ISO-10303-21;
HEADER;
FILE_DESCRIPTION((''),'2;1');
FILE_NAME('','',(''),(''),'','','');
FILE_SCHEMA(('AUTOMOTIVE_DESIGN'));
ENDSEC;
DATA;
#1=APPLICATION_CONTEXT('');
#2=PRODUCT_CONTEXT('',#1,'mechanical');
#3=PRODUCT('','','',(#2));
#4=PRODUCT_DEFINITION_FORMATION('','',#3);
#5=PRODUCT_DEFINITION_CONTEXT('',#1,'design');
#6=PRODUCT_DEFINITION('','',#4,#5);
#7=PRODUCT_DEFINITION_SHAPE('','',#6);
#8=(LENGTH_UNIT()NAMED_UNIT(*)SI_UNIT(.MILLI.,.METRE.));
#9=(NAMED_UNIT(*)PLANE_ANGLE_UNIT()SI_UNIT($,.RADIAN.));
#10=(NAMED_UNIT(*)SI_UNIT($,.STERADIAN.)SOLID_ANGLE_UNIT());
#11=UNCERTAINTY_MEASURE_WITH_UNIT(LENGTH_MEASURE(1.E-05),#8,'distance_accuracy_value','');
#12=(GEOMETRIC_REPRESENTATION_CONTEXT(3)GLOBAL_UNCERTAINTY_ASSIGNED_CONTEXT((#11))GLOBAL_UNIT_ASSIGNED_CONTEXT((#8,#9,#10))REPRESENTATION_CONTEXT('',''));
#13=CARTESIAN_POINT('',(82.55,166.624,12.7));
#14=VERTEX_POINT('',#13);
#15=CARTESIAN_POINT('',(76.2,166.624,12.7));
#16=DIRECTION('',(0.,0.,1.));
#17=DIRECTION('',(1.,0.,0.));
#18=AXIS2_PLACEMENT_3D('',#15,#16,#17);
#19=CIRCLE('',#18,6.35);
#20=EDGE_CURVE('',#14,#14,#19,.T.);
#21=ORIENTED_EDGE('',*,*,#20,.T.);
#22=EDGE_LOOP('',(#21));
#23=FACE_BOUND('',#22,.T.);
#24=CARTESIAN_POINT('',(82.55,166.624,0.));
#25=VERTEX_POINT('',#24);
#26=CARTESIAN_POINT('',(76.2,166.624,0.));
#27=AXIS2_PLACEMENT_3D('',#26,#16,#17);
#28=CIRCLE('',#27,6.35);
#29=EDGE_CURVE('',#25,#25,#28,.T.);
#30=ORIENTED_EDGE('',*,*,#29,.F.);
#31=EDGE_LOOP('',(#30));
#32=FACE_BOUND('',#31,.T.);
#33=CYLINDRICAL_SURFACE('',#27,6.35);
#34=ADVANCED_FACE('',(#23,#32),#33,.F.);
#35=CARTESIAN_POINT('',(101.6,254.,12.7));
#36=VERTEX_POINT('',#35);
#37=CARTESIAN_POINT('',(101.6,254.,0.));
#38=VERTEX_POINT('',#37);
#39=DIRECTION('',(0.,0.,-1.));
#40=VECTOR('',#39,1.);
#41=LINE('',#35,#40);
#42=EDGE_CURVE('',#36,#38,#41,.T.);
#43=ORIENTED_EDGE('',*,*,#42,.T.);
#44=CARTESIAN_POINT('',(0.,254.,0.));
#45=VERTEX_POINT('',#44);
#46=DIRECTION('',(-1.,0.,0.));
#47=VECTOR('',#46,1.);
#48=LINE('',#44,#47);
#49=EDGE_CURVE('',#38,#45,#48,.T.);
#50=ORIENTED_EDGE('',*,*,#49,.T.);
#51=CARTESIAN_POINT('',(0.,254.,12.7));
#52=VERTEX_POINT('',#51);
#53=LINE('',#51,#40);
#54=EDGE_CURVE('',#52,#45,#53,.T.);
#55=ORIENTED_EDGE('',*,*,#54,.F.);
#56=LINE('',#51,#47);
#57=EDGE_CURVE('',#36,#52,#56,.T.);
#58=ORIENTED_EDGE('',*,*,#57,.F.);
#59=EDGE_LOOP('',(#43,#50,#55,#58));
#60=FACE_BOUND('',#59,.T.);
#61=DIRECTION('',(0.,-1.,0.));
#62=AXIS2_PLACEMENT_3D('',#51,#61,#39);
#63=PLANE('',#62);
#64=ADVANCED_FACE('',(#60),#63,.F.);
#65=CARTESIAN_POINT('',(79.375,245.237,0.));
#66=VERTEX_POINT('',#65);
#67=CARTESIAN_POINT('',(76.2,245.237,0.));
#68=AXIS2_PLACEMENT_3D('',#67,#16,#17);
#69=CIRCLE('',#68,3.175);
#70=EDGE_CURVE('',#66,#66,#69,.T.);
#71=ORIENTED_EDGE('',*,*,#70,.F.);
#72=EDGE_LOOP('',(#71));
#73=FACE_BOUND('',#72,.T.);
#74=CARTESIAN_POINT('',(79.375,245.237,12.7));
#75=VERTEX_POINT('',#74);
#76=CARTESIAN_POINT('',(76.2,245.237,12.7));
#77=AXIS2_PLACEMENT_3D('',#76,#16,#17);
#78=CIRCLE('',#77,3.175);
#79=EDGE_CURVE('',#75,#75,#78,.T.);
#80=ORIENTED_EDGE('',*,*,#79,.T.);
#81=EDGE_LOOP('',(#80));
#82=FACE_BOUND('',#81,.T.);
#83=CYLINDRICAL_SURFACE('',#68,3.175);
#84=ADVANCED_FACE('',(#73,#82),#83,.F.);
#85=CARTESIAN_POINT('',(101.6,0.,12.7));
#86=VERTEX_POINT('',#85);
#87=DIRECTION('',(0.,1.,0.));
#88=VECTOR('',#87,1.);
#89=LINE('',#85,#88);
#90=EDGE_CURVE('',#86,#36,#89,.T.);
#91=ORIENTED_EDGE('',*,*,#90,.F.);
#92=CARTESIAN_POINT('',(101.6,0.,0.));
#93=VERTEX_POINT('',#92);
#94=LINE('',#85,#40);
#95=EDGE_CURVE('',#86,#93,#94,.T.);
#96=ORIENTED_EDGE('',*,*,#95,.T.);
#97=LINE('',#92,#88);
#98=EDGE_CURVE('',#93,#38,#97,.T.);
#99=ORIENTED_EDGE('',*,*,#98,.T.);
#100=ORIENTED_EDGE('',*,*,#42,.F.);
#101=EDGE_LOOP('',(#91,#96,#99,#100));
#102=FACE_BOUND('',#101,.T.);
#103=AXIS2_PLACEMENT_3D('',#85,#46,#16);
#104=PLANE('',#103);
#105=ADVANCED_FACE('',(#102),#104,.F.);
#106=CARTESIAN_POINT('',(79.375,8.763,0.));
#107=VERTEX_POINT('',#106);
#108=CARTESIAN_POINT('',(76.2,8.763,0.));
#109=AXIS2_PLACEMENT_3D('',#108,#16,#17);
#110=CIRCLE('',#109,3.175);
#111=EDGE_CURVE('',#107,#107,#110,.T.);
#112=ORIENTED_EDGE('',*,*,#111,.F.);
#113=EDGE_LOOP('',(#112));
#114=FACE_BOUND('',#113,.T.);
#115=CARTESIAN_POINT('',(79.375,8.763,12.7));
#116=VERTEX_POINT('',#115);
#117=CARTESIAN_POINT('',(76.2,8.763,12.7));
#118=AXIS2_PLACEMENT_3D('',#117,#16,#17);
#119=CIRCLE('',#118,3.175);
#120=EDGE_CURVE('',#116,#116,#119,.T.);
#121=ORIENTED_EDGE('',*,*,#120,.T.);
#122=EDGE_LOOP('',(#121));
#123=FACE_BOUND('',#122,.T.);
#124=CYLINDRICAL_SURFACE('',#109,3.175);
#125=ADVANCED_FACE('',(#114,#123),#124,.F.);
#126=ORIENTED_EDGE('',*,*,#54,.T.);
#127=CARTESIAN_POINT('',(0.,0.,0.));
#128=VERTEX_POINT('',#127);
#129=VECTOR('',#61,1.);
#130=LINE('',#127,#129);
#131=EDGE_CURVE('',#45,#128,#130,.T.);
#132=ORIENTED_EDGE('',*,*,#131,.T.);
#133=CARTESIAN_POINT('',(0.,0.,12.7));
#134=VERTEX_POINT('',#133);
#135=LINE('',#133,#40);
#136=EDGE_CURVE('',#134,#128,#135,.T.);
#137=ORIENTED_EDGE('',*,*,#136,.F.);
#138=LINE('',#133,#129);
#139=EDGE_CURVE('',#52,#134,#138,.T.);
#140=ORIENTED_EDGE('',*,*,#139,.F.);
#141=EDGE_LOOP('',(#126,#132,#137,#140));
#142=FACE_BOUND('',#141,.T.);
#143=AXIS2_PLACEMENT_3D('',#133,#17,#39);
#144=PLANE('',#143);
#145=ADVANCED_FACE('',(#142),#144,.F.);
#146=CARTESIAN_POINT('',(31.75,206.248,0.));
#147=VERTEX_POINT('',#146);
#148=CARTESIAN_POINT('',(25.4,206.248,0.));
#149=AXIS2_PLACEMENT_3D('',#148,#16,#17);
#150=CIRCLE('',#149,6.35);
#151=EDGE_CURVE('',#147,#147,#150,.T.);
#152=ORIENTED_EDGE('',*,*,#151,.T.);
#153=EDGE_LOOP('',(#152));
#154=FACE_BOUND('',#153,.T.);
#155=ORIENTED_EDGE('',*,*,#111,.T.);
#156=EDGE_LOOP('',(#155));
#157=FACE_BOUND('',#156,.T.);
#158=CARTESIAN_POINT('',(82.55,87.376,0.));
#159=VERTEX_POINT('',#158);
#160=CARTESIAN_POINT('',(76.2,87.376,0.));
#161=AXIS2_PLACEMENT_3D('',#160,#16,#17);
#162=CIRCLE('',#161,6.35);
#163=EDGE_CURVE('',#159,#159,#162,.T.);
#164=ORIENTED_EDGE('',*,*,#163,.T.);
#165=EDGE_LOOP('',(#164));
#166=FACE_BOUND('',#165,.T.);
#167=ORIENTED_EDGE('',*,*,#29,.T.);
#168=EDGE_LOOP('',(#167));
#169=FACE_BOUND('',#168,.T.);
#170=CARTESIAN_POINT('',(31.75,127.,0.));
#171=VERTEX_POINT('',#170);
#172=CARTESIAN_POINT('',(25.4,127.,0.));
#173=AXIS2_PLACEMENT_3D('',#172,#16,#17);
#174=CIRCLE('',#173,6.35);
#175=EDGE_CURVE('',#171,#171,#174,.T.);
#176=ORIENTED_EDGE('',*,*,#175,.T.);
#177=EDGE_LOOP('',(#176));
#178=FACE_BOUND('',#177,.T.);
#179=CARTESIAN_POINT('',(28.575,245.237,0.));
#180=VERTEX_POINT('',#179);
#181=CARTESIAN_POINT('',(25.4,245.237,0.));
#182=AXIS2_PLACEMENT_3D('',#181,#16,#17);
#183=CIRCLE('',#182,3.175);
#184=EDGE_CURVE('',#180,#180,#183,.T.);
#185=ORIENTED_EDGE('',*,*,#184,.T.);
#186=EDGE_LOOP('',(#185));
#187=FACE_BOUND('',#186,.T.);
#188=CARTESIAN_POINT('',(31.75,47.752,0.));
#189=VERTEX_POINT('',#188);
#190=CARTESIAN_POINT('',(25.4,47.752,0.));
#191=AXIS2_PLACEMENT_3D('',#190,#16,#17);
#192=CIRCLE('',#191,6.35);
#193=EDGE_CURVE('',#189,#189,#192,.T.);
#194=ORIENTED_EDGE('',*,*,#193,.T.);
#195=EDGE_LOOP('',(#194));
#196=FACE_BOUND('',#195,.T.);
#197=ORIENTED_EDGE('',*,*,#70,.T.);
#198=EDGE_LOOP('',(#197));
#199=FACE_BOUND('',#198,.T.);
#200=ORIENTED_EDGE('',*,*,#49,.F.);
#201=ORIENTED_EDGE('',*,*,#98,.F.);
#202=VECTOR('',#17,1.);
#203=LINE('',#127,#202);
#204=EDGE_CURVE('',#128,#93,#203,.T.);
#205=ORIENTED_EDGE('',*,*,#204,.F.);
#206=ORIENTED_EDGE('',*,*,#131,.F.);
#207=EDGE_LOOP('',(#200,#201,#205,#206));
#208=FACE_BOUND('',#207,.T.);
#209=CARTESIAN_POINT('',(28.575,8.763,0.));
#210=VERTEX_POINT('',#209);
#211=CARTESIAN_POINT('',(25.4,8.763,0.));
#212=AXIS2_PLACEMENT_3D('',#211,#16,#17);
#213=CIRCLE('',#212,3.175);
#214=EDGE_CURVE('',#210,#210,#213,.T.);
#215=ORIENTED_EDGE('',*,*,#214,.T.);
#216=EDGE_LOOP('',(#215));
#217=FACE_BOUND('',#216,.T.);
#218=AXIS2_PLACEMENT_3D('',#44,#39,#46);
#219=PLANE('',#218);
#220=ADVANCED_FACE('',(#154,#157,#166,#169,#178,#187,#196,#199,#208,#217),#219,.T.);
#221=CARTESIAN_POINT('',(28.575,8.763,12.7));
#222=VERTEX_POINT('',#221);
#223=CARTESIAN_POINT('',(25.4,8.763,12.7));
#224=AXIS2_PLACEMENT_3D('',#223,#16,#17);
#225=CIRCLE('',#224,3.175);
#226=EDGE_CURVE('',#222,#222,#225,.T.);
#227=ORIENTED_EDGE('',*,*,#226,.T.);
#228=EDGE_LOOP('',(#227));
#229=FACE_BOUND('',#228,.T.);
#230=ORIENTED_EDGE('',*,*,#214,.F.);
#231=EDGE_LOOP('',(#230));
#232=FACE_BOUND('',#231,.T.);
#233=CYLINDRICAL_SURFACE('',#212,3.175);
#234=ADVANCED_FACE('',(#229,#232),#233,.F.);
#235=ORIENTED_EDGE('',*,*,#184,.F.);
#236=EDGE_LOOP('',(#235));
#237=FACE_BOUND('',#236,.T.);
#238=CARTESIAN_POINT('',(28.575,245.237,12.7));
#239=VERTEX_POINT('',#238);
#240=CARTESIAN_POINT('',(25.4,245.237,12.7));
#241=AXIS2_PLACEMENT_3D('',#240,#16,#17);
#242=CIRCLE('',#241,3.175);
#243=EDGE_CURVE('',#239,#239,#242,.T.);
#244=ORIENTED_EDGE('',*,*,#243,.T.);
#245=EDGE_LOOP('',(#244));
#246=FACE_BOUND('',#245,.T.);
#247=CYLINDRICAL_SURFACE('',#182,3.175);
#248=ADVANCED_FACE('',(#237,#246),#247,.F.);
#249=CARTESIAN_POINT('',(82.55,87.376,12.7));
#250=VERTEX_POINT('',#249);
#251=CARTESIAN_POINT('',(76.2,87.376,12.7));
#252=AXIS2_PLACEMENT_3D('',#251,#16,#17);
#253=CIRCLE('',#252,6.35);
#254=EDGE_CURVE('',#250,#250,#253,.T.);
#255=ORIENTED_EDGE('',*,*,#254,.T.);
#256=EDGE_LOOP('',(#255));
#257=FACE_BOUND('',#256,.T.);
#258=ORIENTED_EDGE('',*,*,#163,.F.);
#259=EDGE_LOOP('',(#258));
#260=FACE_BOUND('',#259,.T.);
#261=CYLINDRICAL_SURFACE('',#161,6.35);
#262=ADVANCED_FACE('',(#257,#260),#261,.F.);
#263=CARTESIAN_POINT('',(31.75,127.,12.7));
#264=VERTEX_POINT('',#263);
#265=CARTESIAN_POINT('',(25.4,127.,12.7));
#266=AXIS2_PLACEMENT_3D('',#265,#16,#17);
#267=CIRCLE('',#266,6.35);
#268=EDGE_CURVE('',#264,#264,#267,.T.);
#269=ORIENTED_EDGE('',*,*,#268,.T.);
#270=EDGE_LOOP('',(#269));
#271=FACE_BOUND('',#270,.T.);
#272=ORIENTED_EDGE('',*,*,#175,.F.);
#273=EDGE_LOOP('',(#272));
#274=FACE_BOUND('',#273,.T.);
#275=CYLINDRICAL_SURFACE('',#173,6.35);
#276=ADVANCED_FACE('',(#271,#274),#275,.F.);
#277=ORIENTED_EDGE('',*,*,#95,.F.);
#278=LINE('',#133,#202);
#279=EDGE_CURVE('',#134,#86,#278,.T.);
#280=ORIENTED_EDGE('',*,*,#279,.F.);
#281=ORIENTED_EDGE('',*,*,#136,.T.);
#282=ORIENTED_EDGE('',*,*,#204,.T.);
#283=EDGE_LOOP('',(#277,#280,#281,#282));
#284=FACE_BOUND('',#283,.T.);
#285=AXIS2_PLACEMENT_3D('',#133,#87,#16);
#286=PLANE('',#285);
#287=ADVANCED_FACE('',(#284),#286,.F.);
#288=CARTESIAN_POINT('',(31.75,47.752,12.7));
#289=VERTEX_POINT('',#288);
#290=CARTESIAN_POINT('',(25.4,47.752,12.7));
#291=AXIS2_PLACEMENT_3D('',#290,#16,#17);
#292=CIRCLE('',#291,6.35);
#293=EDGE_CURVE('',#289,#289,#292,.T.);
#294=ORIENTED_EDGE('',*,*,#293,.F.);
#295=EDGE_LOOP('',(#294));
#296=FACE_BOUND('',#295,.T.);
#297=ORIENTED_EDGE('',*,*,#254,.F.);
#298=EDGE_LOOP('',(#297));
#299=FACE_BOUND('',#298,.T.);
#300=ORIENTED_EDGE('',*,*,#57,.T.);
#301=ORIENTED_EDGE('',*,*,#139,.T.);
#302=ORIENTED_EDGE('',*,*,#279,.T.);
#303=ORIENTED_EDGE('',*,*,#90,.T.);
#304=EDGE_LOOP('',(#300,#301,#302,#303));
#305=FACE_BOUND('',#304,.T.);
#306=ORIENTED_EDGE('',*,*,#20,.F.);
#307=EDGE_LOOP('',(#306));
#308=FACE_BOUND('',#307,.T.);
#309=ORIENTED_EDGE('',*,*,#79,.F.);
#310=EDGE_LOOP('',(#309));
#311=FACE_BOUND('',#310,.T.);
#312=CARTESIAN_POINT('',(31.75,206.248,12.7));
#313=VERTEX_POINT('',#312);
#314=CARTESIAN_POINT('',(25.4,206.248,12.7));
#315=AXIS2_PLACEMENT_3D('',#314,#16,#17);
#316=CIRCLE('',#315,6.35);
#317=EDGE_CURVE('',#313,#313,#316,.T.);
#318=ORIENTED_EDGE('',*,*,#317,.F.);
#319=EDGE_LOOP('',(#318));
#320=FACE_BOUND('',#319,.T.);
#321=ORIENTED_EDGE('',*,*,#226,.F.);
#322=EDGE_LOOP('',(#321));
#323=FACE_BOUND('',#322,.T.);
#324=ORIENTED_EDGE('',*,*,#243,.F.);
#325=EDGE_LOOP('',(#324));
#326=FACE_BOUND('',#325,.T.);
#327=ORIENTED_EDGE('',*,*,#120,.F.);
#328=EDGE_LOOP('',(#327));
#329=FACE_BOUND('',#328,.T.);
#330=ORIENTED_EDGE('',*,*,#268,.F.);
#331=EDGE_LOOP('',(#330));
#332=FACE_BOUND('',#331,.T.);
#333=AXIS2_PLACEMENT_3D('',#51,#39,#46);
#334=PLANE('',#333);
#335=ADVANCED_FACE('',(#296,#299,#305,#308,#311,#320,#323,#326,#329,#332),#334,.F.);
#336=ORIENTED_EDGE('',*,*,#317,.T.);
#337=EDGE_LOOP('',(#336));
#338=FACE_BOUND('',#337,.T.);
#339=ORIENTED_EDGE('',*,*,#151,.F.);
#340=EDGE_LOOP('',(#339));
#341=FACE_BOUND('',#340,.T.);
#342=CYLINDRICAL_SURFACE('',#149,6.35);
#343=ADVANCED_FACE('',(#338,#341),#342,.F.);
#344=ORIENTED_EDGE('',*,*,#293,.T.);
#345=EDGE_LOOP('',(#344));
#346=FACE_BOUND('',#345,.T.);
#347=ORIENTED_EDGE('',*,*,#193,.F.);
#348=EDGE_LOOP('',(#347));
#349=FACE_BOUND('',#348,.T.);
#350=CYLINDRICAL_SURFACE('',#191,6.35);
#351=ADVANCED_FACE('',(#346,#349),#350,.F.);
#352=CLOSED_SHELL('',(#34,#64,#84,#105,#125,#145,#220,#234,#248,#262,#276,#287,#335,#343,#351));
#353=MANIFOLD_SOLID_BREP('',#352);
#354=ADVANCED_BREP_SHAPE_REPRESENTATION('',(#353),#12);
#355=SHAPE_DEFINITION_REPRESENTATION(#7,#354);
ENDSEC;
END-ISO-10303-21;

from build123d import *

# Parameters (mm, degrees)
SKETCH1_W           = 101.6
SKETCH1_H           = 254
BOSS_EXTRUDE1_DEPTH = 12.7
SKETCH2_R           = 6.35
SKETCH2_R_2         = 3.175
CUT_EXTRUDE1_DEPTH  = 13.7


with BuildPart() as part:
    # Sketch1 → Boss-Extrude1 (new body)
    with BuildSketch(Plane.XY):
        with Locations((50.8, 127)):
            Rectangle(SKETCH1_W, SKETCH1_H)
    extrude(amount=BOSS_EXTRUDE1_DEPTH)

    # Sketch2 → Cut-Extrude1 (cut, through all)
    with BuildSketch(Plane.XY.offset(12.7)):
        with Locations((25.4, 47.752)):
            Circle(SKETCH2_R)
        with Locations((76.2, 87.376)):
            Circle(SKETCH2_R)
        with Locations((25.4, 127)):
            Circle(SKETCH2_R)
        with Locations((76.2, 166.624)):
            Circle(SKETCH2_R)
        with Locations((25.4, 206.248)):
            Circle(SKETCH2_R)
        with Locations((25.4, 8.763)):
            Circle(SKETCH2_R_2)
        with Locations((76.2, 8.763)):
            Circle(SKETCH2_R_2)
        with Locations((25.4, 245.237)):
            Circle(SKETCH2_R_2)
        with Locations((76.2, 245.237)):
            Circle(SKETCH2_R_2)
    extrude(amount=-CUT_EXTRUDE1_DEPTH, mode=Mode.SUBTRACT)


solid = part.part
